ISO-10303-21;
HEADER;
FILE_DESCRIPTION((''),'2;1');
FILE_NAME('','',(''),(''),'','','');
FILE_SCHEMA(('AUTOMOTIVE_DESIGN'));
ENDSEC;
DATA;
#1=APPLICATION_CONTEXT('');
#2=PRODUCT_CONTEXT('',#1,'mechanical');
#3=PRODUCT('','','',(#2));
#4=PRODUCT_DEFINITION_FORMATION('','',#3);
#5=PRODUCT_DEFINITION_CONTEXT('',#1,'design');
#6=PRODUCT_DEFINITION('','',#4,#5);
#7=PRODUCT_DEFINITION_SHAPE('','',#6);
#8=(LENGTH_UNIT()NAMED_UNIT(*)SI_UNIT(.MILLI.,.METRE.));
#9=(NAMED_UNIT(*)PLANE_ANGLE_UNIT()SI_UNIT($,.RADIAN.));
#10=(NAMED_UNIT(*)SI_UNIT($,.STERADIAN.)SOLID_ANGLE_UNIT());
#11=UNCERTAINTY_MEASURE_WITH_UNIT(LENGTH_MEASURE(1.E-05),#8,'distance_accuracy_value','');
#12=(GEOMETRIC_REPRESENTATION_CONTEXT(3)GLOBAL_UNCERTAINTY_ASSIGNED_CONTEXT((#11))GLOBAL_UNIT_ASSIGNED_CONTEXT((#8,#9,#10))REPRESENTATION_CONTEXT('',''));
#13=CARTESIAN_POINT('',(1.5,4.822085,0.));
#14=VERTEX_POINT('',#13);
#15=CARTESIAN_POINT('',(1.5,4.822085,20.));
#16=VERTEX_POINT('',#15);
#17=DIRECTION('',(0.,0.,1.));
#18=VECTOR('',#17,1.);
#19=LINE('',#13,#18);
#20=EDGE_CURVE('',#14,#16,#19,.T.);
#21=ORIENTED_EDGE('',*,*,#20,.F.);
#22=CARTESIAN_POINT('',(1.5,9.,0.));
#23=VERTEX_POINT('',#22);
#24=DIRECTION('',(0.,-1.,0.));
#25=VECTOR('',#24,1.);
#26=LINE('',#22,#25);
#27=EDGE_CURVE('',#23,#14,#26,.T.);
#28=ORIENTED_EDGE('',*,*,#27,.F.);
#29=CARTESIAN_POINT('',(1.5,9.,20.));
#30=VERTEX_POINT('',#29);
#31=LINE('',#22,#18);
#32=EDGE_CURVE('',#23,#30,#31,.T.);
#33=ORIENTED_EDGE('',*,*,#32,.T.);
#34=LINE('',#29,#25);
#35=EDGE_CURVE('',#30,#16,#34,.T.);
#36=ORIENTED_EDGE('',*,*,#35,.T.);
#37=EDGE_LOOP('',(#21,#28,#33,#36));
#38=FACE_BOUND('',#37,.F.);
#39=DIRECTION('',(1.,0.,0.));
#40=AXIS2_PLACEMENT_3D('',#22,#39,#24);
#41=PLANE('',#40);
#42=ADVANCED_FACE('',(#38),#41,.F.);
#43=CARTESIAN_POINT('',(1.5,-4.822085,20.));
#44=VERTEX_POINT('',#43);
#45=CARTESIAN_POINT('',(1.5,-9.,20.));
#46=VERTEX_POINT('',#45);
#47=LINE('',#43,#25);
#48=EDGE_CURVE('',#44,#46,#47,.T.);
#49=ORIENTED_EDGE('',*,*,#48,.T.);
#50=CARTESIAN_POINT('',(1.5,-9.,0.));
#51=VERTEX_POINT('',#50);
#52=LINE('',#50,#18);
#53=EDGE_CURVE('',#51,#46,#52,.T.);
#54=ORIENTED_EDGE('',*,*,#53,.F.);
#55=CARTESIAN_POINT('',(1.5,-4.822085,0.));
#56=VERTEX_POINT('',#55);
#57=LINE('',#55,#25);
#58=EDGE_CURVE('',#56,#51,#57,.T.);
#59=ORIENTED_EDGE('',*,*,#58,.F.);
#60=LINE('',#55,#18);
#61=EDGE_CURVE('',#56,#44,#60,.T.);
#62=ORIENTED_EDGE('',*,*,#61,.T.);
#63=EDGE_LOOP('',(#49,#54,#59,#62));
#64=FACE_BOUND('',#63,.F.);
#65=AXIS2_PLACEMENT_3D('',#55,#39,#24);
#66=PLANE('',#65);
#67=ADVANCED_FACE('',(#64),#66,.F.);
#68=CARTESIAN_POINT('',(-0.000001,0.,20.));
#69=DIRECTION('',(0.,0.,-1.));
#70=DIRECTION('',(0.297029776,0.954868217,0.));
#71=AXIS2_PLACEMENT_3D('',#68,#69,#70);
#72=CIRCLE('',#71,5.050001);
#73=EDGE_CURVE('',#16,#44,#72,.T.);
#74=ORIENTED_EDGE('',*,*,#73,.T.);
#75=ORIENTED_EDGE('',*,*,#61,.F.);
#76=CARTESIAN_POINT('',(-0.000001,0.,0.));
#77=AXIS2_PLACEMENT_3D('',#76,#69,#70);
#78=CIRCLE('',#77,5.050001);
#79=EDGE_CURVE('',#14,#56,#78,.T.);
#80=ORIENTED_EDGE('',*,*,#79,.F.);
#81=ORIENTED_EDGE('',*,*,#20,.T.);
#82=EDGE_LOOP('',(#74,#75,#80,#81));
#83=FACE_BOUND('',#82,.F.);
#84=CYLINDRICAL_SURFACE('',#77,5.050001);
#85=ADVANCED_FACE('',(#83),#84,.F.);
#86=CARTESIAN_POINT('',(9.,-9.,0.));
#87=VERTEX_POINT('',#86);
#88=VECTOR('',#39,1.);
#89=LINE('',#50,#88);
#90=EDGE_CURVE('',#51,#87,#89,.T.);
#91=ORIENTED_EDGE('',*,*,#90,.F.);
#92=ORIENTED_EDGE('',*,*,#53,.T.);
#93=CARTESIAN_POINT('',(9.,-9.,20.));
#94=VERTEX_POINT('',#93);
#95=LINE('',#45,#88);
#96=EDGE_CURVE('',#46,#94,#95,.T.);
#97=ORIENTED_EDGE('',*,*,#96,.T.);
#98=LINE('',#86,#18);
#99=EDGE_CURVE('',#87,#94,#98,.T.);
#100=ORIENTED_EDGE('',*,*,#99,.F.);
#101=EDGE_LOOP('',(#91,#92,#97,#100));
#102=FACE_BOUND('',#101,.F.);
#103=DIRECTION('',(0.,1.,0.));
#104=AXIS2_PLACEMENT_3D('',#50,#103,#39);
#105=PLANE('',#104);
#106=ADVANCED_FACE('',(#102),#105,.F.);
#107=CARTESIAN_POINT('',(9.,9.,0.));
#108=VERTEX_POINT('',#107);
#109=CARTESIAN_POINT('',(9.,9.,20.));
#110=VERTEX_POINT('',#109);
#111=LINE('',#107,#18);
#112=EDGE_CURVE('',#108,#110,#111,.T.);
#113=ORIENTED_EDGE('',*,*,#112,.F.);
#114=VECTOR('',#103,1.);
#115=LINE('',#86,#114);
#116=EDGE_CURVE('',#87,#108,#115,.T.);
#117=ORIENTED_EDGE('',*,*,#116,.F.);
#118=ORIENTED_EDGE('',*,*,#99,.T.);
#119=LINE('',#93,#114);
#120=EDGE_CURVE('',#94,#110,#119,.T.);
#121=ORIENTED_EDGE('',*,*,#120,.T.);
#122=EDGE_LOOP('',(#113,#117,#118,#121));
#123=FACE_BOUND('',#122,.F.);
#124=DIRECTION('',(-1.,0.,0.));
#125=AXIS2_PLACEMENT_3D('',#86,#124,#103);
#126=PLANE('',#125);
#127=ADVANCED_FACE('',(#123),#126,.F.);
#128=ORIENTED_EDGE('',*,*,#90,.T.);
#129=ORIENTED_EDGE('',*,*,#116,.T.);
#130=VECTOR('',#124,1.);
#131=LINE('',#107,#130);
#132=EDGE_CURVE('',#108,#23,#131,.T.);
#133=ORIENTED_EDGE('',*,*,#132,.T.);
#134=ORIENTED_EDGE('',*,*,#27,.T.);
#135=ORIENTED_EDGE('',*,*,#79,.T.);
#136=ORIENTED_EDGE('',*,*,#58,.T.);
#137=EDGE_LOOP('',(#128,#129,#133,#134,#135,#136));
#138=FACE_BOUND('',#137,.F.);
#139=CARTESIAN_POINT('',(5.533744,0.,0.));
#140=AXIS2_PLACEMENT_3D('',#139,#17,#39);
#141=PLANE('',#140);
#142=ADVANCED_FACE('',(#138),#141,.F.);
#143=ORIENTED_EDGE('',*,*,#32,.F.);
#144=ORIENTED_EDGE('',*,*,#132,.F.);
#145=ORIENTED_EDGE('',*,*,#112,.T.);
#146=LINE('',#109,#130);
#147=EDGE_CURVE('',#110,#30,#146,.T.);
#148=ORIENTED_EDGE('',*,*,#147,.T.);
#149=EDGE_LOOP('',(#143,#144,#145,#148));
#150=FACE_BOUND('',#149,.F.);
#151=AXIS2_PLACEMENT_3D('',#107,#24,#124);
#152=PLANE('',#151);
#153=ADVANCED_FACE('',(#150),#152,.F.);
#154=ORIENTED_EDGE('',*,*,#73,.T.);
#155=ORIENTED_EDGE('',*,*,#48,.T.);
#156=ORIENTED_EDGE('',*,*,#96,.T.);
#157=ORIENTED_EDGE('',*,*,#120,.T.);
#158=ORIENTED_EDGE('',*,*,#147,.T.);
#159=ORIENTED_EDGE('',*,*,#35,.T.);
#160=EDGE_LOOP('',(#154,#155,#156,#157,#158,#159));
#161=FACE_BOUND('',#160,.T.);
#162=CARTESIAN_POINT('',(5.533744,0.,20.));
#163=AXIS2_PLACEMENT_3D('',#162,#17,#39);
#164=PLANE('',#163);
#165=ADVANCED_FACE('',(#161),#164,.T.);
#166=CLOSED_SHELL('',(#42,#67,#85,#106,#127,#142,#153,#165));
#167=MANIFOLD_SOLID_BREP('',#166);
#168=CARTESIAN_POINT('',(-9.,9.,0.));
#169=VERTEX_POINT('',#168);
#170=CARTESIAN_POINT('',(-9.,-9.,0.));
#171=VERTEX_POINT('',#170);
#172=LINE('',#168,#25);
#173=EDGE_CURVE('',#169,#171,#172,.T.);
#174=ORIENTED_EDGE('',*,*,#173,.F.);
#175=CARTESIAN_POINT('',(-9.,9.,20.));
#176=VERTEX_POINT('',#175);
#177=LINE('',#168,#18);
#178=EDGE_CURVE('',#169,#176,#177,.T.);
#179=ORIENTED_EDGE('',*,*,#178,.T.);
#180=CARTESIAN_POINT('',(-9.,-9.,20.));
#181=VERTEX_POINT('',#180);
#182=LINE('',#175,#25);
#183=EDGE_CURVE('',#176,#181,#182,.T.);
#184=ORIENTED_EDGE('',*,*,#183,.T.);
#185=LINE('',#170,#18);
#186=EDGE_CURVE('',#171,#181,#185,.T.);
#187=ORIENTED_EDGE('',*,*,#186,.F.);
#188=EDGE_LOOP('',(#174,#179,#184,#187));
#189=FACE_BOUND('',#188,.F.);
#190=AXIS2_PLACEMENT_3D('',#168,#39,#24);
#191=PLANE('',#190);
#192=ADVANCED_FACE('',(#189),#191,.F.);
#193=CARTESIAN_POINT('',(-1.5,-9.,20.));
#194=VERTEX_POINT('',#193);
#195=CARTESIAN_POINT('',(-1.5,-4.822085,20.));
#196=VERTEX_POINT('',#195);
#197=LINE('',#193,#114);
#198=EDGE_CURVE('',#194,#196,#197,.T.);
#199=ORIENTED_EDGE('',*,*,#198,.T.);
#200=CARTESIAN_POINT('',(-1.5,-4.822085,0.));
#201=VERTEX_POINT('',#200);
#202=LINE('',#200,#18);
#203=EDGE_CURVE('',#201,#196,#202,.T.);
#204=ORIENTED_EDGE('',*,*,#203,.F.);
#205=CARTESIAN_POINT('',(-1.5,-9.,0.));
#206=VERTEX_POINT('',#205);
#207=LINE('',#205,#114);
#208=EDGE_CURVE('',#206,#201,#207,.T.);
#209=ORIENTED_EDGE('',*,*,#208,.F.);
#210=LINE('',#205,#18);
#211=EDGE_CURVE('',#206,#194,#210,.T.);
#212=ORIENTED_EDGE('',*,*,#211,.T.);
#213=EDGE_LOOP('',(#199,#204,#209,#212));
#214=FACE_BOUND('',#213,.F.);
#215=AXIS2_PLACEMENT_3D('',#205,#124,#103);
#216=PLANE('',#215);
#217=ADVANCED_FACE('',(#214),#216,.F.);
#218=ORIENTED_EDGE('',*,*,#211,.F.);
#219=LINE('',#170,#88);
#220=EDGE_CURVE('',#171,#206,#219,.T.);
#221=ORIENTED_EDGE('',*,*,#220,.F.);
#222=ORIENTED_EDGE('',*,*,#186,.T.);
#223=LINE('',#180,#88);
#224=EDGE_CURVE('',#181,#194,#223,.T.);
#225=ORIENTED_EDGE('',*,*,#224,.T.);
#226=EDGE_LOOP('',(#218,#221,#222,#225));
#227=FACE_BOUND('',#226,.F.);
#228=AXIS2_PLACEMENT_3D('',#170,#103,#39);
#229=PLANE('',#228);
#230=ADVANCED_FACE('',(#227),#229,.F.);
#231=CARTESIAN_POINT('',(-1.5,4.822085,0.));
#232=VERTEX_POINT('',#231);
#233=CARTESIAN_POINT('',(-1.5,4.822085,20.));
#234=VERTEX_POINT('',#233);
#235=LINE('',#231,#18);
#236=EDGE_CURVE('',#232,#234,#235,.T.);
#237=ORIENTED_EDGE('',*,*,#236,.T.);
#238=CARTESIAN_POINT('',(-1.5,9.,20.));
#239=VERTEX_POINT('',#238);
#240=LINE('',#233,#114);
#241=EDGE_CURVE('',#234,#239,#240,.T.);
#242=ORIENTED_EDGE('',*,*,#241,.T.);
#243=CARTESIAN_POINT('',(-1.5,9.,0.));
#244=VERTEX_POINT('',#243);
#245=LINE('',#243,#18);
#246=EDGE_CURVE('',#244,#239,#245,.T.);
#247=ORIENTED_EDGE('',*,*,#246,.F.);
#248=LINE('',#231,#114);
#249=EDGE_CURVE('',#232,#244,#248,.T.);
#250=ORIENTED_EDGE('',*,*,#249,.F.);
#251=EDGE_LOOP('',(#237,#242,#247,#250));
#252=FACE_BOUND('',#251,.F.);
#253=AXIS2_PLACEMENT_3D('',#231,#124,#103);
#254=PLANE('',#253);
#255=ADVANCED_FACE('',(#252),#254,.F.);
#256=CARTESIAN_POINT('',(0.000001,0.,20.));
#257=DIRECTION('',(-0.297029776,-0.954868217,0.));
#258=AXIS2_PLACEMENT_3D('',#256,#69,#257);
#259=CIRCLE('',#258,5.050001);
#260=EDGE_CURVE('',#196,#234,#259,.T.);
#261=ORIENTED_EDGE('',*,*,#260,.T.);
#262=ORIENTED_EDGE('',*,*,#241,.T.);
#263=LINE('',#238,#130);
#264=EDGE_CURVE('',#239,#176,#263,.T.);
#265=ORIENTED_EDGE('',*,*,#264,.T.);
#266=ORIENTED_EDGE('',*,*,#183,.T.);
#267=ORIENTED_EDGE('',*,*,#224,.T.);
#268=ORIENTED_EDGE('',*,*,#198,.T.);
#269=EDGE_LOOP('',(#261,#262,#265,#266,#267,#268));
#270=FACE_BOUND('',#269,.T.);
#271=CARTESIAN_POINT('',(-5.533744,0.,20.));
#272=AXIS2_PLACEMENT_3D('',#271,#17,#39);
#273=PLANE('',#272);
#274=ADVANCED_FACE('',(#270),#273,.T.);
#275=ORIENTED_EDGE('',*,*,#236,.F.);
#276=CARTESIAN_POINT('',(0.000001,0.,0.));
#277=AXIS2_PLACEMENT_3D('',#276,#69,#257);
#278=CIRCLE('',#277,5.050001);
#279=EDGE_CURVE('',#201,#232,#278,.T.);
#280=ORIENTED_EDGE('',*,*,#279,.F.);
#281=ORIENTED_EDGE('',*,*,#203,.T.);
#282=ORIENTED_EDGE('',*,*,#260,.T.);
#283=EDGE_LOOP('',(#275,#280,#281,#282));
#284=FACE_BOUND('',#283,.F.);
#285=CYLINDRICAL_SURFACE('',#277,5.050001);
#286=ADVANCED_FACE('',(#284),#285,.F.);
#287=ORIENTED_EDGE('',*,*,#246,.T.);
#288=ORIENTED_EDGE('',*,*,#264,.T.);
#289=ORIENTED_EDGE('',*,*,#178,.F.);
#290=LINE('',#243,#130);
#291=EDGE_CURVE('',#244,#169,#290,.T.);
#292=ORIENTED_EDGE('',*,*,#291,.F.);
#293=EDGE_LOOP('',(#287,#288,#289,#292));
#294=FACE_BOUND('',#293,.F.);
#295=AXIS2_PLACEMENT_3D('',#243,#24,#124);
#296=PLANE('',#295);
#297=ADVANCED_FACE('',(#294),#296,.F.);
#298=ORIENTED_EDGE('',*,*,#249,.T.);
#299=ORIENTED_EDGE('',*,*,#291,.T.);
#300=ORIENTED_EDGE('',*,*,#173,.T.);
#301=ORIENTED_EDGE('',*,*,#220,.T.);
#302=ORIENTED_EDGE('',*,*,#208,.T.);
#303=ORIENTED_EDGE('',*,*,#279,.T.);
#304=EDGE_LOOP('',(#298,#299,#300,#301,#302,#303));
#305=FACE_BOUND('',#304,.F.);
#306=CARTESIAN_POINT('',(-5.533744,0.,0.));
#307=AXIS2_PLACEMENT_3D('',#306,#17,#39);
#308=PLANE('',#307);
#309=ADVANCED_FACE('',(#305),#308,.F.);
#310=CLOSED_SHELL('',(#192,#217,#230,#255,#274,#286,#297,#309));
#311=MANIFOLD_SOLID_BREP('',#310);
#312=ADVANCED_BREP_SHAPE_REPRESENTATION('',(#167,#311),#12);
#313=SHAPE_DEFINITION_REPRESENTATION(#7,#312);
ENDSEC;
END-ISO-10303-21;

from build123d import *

# Parameters (mm, degrees)
F1_DEPTH = 20


with BuildPart() as f1:
    # F0 (on Top) → F1 (new body)
    with BuildSketch(Plane.XY):
        with BuildLine():
            ThreePointArc((1.5, 4.822085), (5.05, 0), (1.5, -4.822085))
            Line((1.5, -4.822085), (1.5, -9))
            Line((1.5, -9), (9, -9))
            Line((9, -9), (9, 9))
            Line((9, 9), (1.5, 9))
            Line((1.5, 9), (1.5, 4.822085))
        make_face()
        with BuildLine():
            Line((-1.5, 9), (-9, 9))
            Line((-9, 9), (-9, -9))
            Line((-9, -9), (-1.5, -9))
            Line((-1.5, -9), (-1.5, -4.822085))
            ThreePointArc((-1.5, -4.822085), (-5.05, 0), (-1.5, 4.822085))
            Line((-1.5, 4.822085), (-1.5, 9))
        make_face()
    extrude(amount=F1_DEPTH)


solid = f1.part
